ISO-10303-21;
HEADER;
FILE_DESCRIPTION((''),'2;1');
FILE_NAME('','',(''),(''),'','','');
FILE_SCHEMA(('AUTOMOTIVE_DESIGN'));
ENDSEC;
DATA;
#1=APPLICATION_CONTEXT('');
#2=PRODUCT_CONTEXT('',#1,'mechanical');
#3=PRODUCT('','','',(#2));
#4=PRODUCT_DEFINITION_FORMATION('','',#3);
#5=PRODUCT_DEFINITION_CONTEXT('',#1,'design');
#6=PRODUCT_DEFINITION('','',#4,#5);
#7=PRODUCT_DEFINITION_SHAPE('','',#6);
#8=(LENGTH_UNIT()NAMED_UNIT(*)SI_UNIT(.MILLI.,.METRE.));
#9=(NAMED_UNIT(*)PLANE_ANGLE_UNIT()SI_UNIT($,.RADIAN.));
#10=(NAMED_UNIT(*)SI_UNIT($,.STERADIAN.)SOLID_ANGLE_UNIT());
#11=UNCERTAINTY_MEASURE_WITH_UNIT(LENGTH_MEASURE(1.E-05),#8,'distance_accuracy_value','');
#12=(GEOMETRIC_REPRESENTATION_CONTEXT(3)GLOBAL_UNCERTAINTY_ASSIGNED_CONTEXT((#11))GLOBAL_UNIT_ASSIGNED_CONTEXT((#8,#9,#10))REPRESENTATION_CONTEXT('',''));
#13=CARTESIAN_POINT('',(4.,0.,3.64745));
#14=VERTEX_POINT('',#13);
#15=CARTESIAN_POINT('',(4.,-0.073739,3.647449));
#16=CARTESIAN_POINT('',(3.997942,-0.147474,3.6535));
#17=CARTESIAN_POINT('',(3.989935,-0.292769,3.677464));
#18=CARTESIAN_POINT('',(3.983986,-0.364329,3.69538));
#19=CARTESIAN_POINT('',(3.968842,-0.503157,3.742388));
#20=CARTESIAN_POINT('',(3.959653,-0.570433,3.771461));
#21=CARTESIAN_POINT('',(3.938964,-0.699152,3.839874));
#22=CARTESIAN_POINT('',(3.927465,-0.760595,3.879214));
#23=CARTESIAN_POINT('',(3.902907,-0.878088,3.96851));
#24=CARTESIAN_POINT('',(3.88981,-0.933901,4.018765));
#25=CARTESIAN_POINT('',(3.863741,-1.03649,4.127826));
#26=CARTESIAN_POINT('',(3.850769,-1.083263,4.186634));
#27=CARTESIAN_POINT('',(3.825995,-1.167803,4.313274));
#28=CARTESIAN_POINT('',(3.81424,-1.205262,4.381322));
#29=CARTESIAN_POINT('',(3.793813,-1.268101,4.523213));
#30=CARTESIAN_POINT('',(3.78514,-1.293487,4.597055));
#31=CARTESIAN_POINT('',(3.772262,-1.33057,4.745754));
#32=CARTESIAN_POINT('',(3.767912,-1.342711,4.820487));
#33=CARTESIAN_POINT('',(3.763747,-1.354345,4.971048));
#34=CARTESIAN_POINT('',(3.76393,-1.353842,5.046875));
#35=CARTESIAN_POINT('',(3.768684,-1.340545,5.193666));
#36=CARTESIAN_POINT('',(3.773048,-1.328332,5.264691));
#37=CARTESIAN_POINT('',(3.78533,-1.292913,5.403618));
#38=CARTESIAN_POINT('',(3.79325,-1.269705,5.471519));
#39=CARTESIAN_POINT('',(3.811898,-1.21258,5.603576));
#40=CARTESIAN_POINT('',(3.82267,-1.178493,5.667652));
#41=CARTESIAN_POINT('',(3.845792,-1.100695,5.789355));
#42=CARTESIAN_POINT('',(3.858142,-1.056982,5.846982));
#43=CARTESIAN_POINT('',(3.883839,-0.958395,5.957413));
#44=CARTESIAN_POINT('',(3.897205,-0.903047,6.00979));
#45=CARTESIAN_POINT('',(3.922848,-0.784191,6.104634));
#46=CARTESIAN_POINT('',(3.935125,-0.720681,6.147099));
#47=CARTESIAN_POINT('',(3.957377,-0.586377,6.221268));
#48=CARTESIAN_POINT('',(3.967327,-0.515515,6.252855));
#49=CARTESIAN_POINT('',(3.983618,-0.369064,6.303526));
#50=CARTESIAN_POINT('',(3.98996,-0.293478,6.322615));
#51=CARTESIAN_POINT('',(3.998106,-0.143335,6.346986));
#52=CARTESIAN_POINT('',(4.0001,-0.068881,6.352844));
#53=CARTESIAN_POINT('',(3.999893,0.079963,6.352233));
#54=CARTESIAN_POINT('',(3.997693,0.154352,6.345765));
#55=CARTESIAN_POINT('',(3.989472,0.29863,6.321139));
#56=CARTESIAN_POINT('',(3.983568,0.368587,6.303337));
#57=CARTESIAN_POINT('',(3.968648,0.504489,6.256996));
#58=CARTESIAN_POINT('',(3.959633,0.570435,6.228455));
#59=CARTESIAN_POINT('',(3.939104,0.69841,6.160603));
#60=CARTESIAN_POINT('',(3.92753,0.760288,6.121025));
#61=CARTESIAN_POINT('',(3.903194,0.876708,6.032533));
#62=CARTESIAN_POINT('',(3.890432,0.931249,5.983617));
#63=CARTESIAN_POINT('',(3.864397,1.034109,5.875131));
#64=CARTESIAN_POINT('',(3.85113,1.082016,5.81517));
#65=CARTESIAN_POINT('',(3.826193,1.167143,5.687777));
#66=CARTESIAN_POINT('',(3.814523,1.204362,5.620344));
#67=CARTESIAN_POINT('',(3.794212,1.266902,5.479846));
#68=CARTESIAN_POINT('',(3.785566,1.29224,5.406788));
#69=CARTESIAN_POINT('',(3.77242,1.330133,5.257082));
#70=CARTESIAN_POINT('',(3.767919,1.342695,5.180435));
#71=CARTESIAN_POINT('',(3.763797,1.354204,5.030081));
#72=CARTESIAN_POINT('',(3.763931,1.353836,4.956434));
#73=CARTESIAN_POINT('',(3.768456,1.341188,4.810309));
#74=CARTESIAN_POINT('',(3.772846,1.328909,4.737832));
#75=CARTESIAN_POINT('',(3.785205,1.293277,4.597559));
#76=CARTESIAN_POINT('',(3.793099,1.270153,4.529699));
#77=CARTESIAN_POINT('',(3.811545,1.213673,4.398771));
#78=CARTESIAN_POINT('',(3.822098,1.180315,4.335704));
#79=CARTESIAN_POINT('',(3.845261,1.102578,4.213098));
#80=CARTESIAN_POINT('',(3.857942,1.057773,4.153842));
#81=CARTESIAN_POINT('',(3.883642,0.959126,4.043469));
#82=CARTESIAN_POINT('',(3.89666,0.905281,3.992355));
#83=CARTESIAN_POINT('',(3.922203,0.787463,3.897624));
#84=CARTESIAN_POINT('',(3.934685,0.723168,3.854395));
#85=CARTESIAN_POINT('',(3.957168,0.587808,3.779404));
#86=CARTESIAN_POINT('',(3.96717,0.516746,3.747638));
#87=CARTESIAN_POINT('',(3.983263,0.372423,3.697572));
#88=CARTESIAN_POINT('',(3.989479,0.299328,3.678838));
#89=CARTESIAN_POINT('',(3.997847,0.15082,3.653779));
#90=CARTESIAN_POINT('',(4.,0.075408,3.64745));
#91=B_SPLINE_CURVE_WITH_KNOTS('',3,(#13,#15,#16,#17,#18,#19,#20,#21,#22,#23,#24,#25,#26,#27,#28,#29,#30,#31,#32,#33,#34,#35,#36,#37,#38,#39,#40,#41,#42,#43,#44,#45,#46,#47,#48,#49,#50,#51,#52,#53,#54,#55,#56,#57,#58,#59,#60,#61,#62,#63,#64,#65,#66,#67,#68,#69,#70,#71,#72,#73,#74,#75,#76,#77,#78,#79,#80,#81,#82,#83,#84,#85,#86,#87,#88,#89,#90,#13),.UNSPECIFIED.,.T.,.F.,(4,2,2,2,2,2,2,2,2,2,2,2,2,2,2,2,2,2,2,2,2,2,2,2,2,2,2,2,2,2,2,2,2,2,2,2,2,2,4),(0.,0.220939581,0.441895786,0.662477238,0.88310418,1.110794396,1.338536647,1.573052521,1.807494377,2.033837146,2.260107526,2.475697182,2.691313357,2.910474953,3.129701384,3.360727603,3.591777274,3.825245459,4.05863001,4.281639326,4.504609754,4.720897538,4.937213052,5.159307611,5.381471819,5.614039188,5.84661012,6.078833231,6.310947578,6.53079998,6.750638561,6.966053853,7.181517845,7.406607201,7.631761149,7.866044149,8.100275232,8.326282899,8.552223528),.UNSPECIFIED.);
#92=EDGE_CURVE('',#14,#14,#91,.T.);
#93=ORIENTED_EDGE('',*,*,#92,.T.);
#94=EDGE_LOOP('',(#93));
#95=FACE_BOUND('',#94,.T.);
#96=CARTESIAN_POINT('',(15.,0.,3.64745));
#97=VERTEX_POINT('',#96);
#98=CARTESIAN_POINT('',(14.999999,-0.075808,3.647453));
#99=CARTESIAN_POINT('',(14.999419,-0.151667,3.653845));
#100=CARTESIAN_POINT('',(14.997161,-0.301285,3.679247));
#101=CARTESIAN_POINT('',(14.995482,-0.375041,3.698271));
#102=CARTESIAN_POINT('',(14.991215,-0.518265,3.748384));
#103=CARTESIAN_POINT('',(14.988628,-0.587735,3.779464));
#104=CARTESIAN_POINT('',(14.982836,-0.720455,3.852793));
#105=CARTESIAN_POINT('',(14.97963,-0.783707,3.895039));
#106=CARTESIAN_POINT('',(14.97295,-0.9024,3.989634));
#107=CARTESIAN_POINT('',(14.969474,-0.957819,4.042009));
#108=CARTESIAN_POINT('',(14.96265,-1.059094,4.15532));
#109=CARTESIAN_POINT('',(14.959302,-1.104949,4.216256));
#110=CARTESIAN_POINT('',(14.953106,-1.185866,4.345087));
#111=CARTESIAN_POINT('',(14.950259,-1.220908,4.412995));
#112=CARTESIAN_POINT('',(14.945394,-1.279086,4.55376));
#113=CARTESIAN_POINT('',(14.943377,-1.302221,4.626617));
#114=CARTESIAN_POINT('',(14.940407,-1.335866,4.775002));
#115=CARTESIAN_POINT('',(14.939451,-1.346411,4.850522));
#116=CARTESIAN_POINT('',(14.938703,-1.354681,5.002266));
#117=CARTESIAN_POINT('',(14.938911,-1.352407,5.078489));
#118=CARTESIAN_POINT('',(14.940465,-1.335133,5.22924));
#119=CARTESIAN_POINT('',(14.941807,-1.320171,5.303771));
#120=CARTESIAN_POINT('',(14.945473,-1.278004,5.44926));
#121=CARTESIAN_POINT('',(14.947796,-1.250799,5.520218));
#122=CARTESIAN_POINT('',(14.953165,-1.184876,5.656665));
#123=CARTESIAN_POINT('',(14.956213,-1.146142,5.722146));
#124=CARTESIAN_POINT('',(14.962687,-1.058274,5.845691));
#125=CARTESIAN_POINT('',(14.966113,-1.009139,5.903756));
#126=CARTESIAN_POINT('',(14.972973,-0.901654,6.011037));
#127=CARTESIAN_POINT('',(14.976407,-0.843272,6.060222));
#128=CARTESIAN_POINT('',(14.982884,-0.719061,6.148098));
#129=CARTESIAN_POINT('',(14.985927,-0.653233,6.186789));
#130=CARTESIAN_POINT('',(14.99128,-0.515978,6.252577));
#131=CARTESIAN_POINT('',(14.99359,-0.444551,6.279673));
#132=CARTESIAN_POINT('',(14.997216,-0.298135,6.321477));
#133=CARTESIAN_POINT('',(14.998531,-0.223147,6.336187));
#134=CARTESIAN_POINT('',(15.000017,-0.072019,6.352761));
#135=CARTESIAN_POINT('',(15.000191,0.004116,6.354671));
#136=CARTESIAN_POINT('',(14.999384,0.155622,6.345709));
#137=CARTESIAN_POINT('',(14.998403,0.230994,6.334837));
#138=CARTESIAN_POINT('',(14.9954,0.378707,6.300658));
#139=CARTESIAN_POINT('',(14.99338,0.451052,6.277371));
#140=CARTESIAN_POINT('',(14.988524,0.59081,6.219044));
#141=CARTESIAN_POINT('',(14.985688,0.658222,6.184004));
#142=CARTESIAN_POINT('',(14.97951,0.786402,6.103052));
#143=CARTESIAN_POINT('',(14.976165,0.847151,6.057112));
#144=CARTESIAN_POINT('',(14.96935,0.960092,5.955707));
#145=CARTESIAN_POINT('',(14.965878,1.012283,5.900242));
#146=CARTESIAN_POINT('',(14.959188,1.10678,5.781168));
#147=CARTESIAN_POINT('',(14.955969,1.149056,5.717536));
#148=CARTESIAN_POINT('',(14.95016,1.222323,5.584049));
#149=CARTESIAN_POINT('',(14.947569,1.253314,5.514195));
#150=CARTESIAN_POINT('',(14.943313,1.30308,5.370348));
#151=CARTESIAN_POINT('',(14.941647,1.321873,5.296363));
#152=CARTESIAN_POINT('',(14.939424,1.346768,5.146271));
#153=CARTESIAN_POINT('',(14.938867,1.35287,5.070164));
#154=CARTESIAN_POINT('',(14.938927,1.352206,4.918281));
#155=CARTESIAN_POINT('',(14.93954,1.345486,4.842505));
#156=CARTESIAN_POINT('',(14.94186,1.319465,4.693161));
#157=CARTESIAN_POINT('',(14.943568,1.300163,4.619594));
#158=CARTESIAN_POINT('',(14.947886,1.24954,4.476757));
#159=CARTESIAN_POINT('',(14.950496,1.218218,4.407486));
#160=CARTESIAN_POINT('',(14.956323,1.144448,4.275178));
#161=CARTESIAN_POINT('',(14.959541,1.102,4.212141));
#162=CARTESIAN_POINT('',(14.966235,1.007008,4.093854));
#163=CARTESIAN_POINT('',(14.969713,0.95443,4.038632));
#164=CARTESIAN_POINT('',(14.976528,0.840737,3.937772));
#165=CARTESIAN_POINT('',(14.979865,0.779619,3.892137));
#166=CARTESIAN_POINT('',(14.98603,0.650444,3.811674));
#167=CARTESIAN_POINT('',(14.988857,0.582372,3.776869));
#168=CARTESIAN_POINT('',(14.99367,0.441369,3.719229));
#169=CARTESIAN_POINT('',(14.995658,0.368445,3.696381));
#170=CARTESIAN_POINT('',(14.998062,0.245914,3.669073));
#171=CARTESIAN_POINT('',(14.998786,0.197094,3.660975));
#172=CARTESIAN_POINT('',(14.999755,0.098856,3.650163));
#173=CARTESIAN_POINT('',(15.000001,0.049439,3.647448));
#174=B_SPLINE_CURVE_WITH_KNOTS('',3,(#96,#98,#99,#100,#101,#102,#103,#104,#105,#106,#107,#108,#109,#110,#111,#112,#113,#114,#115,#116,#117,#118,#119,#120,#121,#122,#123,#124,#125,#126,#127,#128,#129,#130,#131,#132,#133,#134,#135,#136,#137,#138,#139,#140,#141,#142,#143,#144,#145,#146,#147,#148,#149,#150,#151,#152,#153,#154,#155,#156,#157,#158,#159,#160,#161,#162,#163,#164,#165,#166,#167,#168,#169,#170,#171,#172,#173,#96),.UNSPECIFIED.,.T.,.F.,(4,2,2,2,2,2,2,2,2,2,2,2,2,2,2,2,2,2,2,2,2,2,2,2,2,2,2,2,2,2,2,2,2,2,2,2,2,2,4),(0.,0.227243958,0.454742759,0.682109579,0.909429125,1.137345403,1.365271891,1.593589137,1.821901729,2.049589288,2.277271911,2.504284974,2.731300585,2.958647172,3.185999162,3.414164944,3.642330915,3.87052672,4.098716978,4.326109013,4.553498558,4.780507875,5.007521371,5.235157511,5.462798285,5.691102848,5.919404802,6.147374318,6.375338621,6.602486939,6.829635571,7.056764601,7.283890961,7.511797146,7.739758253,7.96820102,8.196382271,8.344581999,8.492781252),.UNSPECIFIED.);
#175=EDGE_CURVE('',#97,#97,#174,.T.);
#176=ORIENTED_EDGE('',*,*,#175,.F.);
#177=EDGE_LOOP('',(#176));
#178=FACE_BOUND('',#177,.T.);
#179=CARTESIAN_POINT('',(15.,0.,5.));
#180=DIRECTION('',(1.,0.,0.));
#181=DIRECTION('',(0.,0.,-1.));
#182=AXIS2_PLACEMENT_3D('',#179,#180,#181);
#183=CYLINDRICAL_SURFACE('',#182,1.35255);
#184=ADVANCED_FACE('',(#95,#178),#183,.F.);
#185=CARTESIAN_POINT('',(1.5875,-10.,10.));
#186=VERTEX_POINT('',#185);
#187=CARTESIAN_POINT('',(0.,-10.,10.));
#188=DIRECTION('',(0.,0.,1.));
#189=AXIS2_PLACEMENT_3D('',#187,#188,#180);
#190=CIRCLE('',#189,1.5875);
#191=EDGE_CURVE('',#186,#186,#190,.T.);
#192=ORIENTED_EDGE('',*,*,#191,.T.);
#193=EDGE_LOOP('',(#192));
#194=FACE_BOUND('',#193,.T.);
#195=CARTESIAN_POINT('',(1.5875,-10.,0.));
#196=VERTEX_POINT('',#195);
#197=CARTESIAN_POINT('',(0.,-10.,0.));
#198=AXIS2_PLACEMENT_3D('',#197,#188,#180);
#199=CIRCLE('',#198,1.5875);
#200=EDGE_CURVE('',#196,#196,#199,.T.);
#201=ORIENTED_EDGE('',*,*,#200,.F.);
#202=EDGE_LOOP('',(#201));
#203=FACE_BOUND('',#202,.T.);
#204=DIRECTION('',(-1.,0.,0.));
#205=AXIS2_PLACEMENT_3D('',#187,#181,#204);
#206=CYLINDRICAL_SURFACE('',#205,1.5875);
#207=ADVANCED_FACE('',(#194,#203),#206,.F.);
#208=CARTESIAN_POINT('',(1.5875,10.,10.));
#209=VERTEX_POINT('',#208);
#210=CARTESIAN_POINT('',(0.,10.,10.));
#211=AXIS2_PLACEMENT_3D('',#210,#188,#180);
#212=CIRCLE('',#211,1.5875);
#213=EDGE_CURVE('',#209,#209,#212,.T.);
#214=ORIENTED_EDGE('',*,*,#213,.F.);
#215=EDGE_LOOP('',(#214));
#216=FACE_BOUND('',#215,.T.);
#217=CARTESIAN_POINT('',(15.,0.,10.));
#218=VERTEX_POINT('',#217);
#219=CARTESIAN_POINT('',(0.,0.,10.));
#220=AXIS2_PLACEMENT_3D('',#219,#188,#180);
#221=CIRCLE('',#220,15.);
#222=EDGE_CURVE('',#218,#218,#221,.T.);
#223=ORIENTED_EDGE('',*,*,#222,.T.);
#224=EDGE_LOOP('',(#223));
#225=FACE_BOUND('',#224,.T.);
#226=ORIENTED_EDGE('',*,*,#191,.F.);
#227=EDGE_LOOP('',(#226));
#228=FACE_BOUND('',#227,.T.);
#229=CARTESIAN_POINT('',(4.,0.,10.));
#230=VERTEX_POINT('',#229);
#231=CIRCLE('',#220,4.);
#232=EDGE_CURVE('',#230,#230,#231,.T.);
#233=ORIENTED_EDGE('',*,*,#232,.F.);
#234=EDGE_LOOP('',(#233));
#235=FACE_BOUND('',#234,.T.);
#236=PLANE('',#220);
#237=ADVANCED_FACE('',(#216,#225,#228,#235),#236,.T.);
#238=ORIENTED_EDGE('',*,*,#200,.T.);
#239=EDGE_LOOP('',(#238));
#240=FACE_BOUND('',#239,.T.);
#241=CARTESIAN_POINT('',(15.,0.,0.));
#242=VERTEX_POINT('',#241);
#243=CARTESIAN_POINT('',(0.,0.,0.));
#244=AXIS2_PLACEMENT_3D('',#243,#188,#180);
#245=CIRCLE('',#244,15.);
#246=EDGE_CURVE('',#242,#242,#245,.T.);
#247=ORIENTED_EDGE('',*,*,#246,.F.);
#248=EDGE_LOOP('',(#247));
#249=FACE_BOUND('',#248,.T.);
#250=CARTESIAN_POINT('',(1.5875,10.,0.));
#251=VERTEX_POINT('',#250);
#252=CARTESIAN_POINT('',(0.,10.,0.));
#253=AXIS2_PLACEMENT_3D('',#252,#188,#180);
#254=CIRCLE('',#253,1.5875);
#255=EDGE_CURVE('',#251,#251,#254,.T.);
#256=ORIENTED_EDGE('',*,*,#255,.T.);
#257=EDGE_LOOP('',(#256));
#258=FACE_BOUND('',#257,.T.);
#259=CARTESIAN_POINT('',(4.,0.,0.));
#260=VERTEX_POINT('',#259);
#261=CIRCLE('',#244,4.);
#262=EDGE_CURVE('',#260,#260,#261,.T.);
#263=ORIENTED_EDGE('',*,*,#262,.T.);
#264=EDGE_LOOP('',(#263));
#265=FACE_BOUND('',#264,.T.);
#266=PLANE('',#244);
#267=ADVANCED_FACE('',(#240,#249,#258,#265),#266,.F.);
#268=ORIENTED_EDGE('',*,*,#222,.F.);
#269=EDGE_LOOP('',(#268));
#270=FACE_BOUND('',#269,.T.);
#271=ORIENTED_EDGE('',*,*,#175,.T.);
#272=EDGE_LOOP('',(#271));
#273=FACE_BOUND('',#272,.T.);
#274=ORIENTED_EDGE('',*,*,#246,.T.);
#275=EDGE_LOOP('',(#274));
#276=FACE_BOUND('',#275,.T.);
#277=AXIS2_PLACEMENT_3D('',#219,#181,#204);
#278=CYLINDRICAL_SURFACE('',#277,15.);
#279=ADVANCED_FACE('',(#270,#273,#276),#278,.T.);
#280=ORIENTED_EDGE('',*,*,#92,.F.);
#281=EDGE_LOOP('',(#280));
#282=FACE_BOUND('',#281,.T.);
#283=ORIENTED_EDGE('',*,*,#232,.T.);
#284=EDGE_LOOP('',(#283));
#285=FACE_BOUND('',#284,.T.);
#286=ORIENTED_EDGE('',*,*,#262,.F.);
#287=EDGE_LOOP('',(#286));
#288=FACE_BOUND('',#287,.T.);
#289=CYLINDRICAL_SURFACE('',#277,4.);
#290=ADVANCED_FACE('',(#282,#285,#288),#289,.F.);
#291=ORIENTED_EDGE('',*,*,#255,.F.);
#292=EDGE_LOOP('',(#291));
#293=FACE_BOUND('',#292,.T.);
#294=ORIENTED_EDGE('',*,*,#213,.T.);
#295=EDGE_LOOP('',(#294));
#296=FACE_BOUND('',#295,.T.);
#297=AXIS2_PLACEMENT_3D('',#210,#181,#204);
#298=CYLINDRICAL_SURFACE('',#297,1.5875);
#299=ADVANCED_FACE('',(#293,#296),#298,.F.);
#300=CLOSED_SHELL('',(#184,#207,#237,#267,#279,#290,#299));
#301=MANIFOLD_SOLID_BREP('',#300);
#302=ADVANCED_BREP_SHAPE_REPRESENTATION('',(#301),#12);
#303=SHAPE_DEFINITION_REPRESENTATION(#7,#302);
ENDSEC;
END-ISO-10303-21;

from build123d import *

# Parameters (mm, degrees)
SKETCH1_R                 = 15
SKETCH1_R_2               = 1.5875
SKETCH1_R_3               = 4
BOSS_EXTRUDE2_DEPTH       = 10
F_6_32_TAPPED_HOLE1_D     = 2.7051
F_6_32_TAPPED_HOLE1_DEPTH = 14.999
F_6_32_TAPPED_HOLE1_TIP   = 0.81269403


with BuildPart() as part:
    # Sketch1 → Boss-Extrude2 (new body)
    with BuildSketch(Plane.XY):
        Circle(SKETCH1_R)
        with Locations((0, 10)):
            Circle(SKETCH1_R_2, mode=Mode.SUBTRACT)
        Circle(SKETCH1_R_3, mode=Mode.SUBTRACT)
        with Locations((0, -10)):
            Circle(SKETCH1_R_2, mode=Mode.SUBTRACT)
    extrude(amount=BOSS_EXTRUDE2_DEPTH)

    # #6-32 Tapped Hole1
    with Locations(Plane(origin=(15, 0, 4.999999906), x_dir=(0, 1, 0), z_dir=(1, 0, 0))):
        with Locations((0, 0)):
            Hole(F_6_32_TAPPED_HOLE1_D / 2, depth=F_6_32_TAPPED_HOLE1_DEPTH)
            with Locations((0, 0, -(F_6_32_TAPPED_HOLE1_DEPTH + F_6_32_TAPPED_HOLE1_TIP / 2))):  # 118° drill point
                Cone(0, F_6_32_TAPPED_HOLE1_D / 2, F_6_32_TAPPED_HOLE1_TIP, mode=Mode.SUBTRACT)


solid = part.part
